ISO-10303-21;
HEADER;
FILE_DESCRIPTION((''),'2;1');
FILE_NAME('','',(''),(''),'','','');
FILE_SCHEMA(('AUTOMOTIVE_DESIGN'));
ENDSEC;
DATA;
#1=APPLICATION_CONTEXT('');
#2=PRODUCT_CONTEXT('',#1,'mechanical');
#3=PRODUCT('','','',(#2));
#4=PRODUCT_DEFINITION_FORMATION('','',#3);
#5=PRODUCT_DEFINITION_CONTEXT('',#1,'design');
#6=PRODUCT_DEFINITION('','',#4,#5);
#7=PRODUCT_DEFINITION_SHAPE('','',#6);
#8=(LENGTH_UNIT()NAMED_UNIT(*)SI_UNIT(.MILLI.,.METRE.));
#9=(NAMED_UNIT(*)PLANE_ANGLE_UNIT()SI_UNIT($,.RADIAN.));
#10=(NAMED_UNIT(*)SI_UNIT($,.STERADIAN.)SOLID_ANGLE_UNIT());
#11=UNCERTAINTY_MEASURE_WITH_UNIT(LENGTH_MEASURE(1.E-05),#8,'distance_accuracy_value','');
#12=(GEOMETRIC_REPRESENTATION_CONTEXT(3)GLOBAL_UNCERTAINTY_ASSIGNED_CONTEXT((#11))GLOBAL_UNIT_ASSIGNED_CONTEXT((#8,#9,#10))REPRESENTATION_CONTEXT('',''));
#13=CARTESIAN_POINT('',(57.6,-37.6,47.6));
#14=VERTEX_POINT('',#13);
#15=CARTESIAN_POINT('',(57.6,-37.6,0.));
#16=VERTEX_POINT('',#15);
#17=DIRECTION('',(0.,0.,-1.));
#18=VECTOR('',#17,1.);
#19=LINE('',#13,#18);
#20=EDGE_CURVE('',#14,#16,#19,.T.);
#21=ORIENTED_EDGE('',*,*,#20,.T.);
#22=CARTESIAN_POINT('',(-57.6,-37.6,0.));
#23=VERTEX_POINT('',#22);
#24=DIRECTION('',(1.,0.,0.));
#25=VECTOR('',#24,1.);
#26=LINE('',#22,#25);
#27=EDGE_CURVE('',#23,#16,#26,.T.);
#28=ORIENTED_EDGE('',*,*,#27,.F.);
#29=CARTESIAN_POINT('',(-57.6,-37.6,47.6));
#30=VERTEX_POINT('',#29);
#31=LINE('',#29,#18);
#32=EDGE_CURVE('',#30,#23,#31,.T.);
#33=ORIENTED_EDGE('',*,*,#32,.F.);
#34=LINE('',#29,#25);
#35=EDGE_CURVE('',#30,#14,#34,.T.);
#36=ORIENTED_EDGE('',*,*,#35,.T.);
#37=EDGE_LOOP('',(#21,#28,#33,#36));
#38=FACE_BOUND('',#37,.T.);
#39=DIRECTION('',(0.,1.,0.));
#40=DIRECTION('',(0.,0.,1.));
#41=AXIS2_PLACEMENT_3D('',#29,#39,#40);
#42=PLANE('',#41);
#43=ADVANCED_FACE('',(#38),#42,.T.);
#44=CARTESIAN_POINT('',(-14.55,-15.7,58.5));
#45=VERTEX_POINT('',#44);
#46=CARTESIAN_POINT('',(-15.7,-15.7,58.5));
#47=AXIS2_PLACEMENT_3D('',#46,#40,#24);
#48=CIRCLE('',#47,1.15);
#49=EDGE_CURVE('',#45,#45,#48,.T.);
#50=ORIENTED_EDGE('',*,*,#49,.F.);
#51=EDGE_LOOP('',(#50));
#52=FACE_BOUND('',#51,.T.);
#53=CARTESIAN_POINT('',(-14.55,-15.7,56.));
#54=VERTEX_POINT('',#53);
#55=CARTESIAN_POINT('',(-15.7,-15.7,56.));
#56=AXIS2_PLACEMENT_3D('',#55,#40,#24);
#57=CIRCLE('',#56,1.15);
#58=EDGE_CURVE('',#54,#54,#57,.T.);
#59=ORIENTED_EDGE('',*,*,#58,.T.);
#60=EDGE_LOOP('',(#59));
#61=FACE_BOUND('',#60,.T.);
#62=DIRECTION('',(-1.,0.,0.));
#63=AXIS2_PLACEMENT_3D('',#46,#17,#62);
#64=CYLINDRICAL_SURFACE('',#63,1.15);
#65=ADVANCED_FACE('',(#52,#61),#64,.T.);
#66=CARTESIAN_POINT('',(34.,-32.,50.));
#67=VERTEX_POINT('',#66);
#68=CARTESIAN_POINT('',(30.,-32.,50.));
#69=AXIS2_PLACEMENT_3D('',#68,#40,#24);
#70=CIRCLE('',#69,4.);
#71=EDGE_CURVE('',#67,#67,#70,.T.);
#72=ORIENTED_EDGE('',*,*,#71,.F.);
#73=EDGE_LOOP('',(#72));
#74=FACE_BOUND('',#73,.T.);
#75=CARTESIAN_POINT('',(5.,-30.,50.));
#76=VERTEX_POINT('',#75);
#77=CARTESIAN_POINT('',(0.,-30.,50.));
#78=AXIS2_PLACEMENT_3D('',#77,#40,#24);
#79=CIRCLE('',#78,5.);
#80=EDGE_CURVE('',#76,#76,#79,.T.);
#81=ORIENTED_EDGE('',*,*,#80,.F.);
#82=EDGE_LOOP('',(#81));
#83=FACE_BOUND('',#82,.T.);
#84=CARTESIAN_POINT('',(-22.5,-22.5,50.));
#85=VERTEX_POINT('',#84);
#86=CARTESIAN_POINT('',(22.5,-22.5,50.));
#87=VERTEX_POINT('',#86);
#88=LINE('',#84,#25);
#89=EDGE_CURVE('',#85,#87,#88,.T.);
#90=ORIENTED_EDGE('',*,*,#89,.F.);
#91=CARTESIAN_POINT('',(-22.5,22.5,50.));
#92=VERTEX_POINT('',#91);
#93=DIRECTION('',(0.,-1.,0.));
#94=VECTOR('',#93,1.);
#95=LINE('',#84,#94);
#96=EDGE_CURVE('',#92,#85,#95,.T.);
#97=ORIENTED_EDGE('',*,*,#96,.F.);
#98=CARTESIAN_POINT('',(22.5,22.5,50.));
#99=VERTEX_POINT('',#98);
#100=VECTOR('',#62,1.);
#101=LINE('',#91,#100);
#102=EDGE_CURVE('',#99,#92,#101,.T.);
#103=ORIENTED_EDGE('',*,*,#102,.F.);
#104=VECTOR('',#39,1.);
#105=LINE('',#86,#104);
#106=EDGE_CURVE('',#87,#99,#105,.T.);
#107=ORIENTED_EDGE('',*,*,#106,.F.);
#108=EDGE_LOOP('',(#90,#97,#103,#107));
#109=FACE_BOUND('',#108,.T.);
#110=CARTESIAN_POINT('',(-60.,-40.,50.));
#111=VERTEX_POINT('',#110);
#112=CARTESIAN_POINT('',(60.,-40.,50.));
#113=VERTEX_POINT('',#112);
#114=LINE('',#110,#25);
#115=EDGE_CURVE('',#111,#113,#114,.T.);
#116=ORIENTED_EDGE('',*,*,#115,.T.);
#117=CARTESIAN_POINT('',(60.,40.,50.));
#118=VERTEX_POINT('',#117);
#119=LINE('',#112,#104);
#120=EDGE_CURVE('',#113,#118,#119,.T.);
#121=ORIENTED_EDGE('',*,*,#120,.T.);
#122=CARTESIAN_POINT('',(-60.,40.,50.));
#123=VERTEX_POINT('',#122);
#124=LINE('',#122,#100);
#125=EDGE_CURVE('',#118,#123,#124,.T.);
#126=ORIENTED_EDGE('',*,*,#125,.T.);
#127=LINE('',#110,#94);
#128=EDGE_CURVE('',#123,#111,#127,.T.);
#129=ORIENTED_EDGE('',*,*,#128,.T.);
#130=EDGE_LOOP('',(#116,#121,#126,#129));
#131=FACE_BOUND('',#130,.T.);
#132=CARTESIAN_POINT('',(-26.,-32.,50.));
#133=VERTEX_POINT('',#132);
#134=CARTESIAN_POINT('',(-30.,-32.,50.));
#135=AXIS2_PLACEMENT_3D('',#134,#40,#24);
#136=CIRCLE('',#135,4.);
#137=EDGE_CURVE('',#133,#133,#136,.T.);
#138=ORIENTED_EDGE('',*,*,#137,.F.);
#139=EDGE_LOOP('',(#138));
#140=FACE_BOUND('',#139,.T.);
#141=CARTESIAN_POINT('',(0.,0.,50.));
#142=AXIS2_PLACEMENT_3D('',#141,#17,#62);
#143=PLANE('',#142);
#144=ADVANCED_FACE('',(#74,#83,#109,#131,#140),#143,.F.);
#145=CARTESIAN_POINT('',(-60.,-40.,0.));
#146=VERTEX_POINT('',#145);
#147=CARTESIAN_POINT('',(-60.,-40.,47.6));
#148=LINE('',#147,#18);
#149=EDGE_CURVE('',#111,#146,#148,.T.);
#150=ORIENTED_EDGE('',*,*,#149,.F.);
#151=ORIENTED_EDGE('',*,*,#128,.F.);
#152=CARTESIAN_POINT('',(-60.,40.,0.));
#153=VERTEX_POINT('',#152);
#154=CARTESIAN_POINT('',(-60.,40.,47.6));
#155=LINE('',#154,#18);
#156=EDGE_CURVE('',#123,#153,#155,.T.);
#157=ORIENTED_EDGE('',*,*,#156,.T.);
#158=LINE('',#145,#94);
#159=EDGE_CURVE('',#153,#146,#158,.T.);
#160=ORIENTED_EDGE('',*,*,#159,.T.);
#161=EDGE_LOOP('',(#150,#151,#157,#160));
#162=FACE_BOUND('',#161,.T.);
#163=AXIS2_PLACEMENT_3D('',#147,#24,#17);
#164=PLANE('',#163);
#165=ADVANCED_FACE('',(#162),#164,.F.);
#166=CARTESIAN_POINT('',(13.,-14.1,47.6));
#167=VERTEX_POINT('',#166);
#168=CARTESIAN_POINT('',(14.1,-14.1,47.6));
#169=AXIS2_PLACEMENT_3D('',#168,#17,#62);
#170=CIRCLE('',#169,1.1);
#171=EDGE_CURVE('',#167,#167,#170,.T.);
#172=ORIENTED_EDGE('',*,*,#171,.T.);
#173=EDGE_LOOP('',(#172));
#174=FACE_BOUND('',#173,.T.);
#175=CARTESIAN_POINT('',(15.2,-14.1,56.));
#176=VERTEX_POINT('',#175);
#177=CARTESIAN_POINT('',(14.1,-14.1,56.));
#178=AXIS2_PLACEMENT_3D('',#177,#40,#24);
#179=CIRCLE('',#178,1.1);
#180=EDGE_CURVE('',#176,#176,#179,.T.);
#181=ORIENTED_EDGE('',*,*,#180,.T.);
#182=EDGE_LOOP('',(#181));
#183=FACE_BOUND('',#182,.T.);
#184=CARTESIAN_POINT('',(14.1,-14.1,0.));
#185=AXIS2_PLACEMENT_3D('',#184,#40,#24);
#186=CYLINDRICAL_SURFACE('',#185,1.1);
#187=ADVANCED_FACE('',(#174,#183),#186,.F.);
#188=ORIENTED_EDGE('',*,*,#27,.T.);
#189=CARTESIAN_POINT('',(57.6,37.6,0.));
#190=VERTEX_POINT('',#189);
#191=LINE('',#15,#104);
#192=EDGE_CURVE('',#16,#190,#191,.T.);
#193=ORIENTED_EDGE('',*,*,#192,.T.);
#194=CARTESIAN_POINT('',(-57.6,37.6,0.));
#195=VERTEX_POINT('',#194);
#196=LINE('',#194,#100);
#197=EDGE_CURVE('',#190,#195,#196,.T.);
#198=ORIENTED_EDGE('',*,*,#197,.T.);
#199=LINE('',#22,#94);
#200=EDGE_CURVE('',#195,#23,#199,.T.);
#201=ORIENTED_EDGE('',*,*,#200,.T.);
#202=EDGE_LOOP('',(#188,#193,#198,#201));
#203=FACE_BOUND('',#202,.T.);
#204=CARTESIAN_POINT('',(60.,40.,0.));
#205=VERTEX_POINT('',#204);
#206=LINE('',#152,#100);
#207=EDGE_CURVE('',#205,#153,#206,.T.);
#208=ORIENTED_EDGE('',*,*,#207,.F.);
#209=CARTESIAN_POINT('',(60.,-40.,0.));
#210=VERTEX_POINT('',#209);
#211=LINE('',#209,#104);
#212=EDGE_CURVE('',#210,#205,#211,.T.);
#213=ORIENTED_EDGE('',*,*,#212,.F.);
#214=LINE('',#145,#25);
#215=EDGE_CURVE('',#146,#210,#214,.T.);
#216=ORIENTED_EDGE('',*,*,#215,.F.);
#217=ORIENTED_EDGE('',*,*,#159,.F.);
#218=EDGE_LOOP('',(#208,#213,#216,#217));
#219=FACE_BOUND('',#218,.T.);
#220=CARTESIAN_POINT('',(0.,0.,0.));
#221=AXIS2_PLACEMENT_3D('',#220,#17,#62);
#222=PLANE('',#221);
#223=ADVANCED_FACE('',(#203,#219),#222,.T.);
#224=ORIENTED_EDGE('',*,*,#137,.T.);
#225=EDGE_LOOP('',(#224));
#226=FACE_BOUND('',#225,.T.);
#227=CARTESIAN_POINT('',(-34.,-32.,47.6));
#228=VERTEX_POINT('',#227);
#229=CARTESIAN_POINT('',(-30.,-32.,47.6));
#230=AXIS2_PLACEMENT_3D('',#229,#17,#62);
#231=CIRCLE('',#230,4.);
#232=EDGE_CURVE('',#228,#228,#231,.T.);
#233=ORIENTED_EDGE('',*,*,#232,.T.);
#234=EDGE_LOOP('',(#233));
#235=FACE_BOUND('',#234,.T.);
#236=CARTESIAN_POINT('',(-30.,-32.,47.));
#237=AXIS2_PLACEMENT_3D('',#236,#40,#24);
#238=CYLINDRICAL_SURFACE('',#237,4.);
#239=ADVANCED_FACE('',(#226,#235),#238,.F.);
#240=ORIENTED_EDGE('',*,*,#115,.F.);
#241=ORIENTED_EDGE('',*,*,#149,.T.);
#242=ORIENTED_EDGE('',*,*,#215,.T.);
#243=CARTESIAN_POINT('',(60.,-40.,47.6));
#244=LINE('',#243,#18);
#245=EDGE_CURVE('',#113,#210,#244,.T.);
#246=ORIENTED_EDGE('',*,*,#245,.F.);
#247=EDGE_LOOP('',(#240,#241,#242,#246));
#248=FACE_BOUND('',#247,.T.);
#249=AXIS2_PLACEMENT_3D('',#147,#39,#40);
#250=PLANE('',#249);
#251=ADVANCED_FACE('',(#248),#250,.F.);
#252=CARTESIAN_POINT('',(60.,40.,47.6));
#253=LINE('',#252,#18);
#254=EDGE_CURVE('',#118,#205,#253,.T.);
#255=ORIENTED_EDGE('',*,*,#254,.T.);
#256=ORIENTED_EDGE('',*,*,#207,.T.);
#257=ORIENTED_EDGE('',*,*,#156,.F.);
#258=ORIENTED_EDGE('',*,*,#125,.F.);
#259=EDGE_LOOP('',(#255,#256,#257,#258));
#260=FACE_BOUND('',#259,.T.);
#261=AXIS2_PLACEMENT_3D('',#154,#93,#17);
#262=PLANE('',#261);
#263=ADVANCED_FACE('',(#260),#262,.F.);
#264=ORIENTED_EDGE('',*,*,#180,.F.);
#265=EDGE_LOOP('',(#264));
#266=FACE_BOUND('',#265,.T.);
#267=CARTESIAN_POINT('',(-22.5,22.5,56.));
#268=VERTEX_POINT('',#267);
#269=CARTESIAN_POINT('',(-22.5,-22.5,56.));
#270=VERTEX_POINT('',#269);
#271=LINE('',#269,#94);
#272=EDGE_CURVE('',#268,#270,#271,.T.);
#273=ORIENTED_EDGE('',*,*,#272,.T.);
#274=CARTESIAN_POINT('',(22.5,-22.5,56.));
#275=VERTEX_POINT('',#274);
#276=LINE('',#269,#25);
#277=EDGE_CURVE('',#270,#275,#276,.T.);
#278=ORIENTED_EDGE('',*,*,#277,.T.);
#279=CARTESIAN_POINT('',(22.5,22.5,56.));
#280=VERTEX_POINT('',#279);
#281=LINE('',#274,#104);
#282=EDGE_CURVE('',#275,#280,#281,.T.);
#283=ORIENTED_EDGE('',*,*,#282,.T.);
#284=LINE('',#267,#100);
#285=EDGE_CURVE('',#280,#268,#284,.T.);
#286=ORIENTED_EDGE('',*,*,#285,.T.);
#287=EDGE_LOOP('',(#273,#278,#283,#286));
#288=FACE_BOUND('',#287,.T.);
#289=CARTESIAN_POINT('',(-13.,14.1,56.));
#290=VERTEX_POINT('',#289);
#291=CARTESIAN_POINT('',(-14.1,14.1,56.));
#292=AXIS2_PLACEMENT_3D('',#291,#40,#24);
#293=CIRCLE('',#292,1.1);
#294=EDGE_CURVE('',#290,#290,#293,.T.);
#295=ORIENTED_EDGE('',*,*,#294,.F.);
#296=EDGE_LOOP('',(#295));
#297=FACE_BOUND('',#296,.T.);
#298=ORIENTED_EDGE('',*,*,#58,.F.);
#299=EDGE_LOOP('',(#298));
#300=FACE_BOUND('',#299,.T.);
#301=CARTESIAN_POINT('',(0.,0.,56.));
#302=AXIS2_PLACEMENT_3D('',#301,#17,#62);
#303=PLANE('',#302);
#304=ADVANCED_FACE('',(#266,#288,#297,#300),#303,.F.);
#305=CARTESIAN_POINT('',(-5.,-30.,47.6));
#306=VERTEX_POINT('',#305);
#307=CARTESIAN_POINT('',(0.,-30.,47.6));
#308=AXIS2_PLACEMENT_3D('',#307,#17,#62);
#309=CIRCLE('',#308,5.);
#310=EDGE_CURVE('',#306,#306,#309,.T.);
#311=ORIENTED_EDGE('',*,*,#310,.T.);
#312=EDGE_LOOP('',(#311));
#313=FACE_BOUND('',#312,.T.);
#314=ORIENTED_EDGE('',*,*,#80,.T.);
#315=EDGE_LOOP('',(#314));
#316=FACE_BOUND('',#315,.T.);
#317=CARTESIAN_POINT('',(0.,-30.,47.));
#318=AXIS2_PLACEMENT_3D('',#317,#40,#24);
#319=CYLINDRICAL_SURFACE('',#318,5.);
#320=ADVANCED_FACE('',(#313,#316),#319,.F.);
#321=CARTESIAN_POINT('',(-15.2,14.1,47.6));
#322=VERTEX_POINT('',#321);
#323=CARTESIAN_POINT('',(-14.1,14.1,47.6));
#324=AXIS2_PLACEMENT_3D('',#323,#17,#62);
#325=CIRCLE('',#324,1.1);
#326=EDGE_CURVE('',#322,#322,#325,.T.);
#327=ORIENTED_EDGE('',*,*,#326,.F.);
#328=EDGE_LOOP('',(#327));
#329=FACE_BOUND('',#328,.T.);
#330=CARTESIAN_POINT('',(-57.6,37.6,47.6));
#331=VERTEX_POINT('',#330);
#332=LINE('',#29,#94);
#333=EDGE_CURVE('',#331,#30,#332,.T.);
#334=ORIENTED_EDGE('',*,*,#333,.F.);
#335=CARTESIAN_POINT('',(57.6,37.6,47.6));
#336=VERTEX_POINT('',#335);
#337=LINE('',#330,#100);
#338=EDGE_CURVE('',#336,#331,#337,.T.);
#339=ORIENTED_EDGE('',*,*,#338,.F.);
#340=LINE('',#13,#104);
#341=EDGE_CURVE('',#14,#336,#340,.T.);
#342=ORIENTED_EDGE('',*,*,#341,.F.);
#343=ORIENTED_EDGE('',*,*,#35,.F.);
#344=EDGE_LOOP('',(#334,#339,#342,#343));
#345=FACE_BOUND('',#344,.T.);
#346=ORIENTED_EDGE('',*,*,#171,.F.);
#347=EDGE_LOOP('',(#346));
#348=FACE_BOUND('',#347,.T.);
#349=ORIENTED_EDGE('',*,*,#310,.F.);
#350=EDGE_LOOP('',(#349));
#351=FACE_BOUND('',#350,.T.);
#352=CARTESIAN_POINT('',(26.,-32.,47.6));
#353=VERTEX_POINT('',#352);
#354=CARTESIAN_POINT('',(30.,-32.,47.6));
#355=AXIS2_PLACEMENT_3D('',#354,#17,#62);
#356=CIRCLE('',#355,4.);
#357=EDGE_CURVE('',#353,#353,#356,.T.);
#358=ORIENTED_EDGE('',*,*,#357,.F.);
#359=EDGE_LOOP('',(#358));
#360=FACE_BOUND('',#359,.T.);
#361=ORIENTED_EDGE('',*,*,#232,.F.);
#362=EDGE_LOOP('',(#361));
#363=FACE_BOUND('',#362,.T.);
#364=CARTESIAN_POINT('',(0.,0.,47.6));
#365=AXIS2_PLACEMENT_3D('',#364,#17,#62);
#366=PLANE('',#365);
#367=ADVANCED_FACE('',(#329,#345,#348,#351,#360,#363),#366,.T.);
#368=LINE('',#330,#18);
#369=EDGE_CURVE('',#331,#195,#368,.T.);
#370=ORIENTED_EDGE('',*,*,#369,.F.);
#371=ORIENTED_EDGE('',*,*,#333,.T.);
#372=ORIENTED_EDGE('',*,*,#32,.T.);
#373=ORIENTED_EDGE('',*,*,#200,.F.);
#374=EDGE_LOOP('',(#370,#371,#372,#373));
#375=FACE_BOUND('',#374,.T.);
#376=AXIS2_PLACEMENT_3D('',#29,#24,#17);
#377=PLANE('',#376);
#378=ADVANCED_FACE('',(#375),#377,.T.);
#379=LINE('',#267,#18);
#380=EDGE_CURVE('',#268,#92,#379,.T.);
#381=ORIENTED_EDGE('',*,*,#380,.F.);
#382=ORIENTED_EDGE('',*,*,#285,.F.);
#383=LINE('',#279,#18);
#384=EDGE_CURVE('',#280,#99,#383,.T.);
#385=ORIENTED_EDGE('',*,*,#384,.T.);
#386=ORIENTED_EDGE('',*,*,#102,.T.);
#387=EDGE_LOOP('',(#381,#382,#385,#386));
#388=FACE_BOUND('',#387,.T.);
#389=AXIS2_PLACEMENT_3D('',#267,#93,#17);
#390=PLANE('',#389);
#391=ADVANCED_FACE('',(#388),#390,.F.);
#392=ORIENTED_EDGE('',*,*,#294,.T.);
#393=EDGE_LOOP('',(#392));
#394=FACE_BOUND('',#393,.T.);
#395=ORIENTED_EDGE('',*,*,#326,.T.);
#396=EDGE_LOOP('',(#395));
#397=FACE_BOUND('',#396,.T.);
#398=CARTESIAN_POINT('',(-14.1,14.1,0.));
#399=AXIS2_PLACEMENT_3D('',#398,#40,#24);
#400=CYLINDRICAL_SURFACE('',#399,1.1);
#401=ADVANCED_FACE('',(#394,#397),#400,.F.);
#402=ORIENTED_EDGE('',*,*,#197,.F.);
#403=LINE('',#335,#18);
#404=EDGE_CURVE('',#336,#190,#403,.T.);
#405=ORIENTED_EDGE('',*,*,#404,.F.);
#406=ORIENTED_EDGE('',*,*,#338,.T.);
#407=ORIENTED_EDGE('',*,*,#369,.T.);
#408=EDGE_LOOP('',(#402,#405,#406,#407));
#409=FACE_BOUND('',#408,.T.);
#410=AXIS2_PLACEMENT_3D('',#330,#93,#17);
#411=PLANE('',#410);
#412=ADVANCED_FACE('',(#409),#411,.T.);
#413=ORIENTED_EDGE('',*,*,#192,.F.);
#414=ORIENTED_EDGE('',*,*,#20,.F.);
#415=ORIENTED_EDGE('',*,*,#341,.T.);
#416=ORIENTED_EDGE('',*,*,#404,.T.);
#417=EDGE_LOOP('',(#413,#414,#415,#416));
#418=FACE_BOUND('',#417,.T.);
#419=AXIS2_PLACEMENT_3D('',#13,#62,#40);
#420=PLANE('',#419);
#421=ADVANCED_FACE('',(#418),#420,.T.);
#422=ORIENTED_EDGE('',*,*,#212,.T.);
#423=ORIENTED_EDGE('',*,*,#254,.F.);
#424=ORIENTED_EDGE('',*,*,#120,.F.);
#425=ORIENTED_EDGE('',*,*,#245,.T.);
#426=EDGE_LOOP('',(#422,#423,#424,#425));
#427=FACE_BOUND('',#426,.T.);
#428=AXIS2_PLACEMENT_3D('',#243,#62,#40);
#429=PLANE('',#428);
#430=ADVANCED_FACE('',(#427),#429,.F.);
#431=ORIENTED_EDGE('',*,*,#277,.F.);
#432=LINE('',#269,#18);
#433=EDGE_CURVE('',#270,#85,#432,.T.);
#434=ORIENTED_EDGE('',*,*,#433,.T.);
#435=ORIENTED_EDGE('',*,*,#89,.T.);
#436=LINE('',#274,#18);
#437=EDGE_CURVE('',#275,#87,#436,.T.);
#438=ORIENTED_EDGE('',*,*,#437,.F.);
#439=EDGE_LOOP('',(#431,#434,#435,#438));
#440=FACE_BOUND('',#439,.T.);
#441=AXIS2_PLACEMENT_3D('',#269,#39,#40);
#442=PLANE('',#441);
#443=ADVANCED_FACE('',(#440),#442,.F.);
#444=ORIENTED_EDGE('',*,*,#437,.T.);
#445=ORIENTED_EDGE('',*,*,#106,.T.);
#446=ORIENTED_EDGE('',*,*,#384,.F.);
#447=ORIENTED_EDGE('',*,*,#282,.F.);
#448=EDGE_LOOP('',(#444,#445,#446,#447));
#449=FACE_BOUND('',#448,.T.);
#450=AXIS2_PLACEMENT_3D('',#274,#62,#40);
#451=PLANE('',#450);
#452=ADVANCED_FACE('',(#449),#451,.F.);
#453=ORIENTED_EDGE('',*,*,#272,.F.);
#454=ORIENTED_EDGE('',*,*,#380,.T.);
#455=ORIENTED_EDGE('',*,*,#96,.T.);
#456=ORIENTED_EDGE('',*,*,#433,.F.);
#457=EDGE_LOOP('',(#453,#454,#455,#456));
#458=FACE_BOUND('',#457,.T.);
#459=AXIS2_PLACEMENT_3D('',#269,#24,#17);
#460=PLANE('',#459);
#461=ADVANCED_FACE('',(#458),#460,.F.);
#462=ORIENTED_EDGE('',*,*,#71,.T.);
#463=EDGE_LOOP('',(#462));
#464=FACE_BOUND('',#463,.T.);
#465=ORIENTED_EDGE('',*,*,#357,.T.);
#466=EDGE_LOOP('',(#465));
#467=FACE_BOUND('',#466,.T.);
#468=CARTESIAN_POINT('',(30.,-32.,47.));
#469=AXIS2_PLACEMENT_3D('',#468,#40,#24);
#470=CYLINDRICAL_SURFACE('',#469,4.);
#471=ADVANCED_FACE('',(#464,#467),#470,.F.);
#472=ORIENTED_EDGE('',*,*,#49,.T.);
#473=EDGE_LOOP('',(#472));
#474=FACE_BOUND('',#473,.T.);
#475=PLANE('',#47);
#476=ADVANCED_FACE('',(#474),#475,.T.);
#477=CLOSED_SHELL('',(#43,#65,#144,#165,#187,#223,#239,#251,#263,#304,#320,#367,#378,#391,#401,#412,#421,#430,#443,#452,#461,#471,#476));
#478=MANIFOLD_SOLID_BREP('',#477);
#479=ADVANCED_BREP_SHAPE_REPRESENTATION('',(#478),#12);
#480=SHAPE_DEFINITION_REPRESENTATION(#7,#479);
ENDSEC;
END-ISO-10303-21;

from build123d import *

# Parameters (mm, degrees)
SKETCH1_W           = 120
SKETCH1_H           = 80
SKETCH1_W_2         = 115.2
SKETCH1_H_2         = 75.2
BOSS_EXTRUDE1_DEPTH = 47.6
SKETCH2_W           = 120
SKETCH2_H           = 80
BOSS_EXTRUDE2_DEPTH = 2.4
SKETCH3_W           = 45
SKETCH3_H           = 45
BOSS_EXTRUDE3_DEPTH = 6
SKETCH4_R           = 1.1
CUT_EXTRUDE1_DEPTH  = 92.301697684
SKETCH5_R           = 1.15
BOSS_EXTRUDE4_DEPTH = 2.5
SKETCH6_R           = 4
SKETCH6_R_2         = 5
CUT_EXTRUDE2_DEPTH  = 3


with BuildPart() as part:
    # Sketch1 → Boss-Extrude1 (new body)
    with BuildSketch(Plane.XY):
        Rectangle(SKETCH1_W, SKETCH1_H)
        Rectangle(SKETCH1_W_2, SKETCH1_H_2, mode=Mode.SUBTRACT)
    extrude(amount=BOSS_EXTRUDE1_DEPTH)

    # Sketch2 → Boss-Extrude2 (add)
    with BuildSketch(Plane.XY.offset(47.6)):
        Rectangle(SKETCH2_W, SKETCH2_H)
    extrude(amount=BOSS_EXTRUDE2_DEPTH)

    # Sketch3 → Boss-Extrude3 (add)
    with BuildSketch(Plane.XY.offset(50)):
        Rectangle(SKETCH3_W, SKETCH3_H)
    extrude(amount=BOSS_EXTRUDE3_DEPTH)

    # Sketch4 → Cut-Extrude1 (cut, through all)
    with BuildSketch(Plane.XY.offset(56)):
        with Locations((-14.1, 14.1)):
            Circle(SKETCH4_R)
        with Locations((14.1, -14.1)):
            Circle(SKETCH4_R)
    extrude(amount=-CUT_EXTRUDE1_DEPTH, mode=Mode.SUBTRACT)

    # Sketch5 → Boss-Extrude4 (add)
    with BuildSketch(Plane.XY.offset(56)):
        with Locations((-15.7, -15.7)):
            Circle(SKETCH5_R)
    extrude(amount=BOSS_EXTRUDE4_DEPTH)

    # Sketch6 → Cut-Extrude2 (cut)
    with BuildSketch(Plane.XY.offset(50)):
        with Locations((-30, -32)):
            Circle(SKETCH6_R)
        with Locations((30, -32)):
            Circle(SKETCH6_R)
        with Locations((0, -30)):
            Circle(SKETCH6_R_2)
    extrude(amount=-CUT_EXTRUDE2_DEPTH, mode=Mode.SUBTRACT)


solid = part.part
